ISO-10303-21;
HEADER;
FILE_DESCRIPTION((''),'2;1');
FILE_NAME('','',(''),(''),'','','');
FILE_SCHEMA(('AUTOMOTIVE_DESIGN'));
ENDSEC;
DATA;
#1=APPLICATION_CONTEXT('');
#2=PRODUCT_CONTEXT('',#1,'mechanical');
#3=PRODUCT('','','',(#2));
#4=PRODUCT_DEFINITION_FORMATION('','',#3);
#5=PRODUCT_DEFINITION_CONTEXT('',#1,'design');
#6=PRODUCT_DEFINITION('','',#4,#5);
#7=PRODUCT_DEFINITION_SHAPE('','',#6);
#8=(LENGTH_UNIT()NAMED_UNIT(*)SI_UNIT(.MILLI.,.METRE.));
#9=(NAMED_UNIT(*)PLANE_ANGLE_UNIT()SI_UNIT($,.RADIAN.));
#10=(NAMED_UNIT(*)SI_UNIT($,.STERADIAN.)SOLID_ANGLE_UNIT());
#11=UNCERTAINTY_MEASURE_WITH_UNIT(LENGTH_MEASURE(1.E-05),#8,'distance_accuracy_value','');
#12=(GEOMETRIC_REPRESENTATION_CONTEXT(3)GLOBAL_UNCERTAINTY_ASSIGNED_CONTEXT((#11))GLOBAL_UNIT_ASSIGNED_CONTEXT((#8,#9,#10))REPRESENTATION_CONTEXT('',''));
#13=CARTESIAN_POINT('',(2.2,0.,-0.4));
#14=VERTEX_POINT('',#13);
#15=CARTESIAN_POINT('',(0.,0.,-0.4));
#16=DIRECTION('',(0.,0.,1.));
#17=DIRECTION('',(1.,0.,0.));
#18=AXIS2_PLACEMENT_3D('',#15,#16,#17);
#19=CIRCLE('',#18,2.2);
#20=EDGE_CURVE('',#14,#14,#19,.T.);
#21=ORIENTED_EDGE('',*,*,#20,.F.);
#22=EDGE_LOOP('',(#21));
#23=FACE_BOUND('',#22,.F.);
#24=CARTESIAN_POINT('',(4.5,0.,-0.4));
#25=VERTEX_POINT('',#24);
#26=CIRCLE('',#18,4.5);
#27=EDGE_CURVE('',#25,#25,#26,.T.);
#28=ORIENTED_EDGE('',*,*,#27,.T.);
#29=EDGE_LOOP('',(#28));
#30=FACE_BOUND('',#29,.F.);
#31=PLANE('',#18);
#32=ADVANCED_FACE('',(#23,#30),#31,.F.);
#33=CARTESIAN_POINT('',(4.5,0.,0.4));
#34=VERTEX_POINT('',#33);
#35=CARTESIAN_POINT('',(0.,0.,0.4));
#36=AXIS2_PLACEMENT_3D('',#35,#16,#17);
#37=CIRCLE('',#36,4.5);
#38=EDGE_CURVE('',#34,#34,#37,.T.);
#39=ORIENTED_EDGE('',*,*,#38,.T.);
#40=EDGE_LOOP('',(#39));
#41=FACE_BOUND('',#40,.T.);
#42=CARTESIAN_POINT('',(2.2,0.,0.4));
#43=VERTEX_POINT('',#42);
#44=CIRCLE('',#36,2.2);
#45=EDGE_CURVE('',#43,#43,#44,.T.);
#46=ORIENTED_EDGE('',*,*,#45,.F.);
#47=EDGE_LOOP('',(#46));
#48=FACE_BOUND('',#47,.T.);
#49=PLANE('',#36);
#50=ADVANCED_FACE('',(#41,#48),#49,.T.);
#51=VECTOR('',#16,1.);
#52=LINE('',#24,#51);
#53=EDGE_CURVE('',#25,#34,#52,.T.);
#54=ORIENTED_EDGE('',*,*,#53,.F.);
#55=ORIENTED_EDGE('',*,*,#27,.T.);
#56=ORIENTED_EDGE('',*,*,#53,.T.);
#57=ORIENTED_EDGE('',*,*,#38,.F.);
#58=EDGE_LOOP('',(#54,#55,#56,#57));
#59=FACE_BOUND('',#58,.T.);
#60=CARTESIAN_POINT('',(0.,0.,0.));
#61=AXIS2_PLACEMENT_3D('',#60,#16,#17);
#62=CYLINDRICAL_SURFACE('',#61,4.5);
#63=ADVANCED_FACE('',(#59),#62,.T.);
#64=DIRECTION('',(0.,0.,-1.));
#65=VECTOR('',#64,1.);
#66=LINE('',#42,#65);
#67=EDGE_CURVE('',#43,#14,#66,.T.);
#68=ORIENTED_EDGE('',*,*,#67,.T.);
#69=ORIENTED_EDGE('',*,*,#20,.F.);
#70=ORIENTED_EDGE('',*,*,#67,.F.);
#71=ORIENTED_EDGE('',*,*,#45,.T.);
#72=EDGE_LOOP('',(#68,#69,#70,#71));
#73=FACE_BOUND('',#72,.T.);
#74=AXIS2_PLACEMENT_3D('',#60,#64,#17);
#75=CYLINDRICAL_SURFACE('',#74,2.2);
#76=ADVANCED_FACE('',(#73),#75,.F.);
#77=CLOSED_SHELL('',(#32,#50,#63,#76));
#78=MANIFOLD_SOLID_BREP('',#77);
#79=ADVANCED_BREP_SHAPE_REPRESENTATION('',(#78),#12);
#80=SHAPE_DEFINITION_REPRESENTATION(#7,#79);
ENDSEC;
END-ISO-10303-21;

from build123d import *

# Parameters (mm, degrees)
SKETCH_R   = 4.5
SKETCH_R_2 = 2.2
PAD_DEPTH  = 0.4


with BuildPart() as part:
    # Sketch → Pad (new body, symmetric)
    with BuildSketch(Plane.XY):
        Circle(SKETCH_R)
        Circle(SKETCH_R_2, mode=Mode.SUBTRACT)
    extrude(amount=PAD_DEPTH, both=True)


solid = part.part
